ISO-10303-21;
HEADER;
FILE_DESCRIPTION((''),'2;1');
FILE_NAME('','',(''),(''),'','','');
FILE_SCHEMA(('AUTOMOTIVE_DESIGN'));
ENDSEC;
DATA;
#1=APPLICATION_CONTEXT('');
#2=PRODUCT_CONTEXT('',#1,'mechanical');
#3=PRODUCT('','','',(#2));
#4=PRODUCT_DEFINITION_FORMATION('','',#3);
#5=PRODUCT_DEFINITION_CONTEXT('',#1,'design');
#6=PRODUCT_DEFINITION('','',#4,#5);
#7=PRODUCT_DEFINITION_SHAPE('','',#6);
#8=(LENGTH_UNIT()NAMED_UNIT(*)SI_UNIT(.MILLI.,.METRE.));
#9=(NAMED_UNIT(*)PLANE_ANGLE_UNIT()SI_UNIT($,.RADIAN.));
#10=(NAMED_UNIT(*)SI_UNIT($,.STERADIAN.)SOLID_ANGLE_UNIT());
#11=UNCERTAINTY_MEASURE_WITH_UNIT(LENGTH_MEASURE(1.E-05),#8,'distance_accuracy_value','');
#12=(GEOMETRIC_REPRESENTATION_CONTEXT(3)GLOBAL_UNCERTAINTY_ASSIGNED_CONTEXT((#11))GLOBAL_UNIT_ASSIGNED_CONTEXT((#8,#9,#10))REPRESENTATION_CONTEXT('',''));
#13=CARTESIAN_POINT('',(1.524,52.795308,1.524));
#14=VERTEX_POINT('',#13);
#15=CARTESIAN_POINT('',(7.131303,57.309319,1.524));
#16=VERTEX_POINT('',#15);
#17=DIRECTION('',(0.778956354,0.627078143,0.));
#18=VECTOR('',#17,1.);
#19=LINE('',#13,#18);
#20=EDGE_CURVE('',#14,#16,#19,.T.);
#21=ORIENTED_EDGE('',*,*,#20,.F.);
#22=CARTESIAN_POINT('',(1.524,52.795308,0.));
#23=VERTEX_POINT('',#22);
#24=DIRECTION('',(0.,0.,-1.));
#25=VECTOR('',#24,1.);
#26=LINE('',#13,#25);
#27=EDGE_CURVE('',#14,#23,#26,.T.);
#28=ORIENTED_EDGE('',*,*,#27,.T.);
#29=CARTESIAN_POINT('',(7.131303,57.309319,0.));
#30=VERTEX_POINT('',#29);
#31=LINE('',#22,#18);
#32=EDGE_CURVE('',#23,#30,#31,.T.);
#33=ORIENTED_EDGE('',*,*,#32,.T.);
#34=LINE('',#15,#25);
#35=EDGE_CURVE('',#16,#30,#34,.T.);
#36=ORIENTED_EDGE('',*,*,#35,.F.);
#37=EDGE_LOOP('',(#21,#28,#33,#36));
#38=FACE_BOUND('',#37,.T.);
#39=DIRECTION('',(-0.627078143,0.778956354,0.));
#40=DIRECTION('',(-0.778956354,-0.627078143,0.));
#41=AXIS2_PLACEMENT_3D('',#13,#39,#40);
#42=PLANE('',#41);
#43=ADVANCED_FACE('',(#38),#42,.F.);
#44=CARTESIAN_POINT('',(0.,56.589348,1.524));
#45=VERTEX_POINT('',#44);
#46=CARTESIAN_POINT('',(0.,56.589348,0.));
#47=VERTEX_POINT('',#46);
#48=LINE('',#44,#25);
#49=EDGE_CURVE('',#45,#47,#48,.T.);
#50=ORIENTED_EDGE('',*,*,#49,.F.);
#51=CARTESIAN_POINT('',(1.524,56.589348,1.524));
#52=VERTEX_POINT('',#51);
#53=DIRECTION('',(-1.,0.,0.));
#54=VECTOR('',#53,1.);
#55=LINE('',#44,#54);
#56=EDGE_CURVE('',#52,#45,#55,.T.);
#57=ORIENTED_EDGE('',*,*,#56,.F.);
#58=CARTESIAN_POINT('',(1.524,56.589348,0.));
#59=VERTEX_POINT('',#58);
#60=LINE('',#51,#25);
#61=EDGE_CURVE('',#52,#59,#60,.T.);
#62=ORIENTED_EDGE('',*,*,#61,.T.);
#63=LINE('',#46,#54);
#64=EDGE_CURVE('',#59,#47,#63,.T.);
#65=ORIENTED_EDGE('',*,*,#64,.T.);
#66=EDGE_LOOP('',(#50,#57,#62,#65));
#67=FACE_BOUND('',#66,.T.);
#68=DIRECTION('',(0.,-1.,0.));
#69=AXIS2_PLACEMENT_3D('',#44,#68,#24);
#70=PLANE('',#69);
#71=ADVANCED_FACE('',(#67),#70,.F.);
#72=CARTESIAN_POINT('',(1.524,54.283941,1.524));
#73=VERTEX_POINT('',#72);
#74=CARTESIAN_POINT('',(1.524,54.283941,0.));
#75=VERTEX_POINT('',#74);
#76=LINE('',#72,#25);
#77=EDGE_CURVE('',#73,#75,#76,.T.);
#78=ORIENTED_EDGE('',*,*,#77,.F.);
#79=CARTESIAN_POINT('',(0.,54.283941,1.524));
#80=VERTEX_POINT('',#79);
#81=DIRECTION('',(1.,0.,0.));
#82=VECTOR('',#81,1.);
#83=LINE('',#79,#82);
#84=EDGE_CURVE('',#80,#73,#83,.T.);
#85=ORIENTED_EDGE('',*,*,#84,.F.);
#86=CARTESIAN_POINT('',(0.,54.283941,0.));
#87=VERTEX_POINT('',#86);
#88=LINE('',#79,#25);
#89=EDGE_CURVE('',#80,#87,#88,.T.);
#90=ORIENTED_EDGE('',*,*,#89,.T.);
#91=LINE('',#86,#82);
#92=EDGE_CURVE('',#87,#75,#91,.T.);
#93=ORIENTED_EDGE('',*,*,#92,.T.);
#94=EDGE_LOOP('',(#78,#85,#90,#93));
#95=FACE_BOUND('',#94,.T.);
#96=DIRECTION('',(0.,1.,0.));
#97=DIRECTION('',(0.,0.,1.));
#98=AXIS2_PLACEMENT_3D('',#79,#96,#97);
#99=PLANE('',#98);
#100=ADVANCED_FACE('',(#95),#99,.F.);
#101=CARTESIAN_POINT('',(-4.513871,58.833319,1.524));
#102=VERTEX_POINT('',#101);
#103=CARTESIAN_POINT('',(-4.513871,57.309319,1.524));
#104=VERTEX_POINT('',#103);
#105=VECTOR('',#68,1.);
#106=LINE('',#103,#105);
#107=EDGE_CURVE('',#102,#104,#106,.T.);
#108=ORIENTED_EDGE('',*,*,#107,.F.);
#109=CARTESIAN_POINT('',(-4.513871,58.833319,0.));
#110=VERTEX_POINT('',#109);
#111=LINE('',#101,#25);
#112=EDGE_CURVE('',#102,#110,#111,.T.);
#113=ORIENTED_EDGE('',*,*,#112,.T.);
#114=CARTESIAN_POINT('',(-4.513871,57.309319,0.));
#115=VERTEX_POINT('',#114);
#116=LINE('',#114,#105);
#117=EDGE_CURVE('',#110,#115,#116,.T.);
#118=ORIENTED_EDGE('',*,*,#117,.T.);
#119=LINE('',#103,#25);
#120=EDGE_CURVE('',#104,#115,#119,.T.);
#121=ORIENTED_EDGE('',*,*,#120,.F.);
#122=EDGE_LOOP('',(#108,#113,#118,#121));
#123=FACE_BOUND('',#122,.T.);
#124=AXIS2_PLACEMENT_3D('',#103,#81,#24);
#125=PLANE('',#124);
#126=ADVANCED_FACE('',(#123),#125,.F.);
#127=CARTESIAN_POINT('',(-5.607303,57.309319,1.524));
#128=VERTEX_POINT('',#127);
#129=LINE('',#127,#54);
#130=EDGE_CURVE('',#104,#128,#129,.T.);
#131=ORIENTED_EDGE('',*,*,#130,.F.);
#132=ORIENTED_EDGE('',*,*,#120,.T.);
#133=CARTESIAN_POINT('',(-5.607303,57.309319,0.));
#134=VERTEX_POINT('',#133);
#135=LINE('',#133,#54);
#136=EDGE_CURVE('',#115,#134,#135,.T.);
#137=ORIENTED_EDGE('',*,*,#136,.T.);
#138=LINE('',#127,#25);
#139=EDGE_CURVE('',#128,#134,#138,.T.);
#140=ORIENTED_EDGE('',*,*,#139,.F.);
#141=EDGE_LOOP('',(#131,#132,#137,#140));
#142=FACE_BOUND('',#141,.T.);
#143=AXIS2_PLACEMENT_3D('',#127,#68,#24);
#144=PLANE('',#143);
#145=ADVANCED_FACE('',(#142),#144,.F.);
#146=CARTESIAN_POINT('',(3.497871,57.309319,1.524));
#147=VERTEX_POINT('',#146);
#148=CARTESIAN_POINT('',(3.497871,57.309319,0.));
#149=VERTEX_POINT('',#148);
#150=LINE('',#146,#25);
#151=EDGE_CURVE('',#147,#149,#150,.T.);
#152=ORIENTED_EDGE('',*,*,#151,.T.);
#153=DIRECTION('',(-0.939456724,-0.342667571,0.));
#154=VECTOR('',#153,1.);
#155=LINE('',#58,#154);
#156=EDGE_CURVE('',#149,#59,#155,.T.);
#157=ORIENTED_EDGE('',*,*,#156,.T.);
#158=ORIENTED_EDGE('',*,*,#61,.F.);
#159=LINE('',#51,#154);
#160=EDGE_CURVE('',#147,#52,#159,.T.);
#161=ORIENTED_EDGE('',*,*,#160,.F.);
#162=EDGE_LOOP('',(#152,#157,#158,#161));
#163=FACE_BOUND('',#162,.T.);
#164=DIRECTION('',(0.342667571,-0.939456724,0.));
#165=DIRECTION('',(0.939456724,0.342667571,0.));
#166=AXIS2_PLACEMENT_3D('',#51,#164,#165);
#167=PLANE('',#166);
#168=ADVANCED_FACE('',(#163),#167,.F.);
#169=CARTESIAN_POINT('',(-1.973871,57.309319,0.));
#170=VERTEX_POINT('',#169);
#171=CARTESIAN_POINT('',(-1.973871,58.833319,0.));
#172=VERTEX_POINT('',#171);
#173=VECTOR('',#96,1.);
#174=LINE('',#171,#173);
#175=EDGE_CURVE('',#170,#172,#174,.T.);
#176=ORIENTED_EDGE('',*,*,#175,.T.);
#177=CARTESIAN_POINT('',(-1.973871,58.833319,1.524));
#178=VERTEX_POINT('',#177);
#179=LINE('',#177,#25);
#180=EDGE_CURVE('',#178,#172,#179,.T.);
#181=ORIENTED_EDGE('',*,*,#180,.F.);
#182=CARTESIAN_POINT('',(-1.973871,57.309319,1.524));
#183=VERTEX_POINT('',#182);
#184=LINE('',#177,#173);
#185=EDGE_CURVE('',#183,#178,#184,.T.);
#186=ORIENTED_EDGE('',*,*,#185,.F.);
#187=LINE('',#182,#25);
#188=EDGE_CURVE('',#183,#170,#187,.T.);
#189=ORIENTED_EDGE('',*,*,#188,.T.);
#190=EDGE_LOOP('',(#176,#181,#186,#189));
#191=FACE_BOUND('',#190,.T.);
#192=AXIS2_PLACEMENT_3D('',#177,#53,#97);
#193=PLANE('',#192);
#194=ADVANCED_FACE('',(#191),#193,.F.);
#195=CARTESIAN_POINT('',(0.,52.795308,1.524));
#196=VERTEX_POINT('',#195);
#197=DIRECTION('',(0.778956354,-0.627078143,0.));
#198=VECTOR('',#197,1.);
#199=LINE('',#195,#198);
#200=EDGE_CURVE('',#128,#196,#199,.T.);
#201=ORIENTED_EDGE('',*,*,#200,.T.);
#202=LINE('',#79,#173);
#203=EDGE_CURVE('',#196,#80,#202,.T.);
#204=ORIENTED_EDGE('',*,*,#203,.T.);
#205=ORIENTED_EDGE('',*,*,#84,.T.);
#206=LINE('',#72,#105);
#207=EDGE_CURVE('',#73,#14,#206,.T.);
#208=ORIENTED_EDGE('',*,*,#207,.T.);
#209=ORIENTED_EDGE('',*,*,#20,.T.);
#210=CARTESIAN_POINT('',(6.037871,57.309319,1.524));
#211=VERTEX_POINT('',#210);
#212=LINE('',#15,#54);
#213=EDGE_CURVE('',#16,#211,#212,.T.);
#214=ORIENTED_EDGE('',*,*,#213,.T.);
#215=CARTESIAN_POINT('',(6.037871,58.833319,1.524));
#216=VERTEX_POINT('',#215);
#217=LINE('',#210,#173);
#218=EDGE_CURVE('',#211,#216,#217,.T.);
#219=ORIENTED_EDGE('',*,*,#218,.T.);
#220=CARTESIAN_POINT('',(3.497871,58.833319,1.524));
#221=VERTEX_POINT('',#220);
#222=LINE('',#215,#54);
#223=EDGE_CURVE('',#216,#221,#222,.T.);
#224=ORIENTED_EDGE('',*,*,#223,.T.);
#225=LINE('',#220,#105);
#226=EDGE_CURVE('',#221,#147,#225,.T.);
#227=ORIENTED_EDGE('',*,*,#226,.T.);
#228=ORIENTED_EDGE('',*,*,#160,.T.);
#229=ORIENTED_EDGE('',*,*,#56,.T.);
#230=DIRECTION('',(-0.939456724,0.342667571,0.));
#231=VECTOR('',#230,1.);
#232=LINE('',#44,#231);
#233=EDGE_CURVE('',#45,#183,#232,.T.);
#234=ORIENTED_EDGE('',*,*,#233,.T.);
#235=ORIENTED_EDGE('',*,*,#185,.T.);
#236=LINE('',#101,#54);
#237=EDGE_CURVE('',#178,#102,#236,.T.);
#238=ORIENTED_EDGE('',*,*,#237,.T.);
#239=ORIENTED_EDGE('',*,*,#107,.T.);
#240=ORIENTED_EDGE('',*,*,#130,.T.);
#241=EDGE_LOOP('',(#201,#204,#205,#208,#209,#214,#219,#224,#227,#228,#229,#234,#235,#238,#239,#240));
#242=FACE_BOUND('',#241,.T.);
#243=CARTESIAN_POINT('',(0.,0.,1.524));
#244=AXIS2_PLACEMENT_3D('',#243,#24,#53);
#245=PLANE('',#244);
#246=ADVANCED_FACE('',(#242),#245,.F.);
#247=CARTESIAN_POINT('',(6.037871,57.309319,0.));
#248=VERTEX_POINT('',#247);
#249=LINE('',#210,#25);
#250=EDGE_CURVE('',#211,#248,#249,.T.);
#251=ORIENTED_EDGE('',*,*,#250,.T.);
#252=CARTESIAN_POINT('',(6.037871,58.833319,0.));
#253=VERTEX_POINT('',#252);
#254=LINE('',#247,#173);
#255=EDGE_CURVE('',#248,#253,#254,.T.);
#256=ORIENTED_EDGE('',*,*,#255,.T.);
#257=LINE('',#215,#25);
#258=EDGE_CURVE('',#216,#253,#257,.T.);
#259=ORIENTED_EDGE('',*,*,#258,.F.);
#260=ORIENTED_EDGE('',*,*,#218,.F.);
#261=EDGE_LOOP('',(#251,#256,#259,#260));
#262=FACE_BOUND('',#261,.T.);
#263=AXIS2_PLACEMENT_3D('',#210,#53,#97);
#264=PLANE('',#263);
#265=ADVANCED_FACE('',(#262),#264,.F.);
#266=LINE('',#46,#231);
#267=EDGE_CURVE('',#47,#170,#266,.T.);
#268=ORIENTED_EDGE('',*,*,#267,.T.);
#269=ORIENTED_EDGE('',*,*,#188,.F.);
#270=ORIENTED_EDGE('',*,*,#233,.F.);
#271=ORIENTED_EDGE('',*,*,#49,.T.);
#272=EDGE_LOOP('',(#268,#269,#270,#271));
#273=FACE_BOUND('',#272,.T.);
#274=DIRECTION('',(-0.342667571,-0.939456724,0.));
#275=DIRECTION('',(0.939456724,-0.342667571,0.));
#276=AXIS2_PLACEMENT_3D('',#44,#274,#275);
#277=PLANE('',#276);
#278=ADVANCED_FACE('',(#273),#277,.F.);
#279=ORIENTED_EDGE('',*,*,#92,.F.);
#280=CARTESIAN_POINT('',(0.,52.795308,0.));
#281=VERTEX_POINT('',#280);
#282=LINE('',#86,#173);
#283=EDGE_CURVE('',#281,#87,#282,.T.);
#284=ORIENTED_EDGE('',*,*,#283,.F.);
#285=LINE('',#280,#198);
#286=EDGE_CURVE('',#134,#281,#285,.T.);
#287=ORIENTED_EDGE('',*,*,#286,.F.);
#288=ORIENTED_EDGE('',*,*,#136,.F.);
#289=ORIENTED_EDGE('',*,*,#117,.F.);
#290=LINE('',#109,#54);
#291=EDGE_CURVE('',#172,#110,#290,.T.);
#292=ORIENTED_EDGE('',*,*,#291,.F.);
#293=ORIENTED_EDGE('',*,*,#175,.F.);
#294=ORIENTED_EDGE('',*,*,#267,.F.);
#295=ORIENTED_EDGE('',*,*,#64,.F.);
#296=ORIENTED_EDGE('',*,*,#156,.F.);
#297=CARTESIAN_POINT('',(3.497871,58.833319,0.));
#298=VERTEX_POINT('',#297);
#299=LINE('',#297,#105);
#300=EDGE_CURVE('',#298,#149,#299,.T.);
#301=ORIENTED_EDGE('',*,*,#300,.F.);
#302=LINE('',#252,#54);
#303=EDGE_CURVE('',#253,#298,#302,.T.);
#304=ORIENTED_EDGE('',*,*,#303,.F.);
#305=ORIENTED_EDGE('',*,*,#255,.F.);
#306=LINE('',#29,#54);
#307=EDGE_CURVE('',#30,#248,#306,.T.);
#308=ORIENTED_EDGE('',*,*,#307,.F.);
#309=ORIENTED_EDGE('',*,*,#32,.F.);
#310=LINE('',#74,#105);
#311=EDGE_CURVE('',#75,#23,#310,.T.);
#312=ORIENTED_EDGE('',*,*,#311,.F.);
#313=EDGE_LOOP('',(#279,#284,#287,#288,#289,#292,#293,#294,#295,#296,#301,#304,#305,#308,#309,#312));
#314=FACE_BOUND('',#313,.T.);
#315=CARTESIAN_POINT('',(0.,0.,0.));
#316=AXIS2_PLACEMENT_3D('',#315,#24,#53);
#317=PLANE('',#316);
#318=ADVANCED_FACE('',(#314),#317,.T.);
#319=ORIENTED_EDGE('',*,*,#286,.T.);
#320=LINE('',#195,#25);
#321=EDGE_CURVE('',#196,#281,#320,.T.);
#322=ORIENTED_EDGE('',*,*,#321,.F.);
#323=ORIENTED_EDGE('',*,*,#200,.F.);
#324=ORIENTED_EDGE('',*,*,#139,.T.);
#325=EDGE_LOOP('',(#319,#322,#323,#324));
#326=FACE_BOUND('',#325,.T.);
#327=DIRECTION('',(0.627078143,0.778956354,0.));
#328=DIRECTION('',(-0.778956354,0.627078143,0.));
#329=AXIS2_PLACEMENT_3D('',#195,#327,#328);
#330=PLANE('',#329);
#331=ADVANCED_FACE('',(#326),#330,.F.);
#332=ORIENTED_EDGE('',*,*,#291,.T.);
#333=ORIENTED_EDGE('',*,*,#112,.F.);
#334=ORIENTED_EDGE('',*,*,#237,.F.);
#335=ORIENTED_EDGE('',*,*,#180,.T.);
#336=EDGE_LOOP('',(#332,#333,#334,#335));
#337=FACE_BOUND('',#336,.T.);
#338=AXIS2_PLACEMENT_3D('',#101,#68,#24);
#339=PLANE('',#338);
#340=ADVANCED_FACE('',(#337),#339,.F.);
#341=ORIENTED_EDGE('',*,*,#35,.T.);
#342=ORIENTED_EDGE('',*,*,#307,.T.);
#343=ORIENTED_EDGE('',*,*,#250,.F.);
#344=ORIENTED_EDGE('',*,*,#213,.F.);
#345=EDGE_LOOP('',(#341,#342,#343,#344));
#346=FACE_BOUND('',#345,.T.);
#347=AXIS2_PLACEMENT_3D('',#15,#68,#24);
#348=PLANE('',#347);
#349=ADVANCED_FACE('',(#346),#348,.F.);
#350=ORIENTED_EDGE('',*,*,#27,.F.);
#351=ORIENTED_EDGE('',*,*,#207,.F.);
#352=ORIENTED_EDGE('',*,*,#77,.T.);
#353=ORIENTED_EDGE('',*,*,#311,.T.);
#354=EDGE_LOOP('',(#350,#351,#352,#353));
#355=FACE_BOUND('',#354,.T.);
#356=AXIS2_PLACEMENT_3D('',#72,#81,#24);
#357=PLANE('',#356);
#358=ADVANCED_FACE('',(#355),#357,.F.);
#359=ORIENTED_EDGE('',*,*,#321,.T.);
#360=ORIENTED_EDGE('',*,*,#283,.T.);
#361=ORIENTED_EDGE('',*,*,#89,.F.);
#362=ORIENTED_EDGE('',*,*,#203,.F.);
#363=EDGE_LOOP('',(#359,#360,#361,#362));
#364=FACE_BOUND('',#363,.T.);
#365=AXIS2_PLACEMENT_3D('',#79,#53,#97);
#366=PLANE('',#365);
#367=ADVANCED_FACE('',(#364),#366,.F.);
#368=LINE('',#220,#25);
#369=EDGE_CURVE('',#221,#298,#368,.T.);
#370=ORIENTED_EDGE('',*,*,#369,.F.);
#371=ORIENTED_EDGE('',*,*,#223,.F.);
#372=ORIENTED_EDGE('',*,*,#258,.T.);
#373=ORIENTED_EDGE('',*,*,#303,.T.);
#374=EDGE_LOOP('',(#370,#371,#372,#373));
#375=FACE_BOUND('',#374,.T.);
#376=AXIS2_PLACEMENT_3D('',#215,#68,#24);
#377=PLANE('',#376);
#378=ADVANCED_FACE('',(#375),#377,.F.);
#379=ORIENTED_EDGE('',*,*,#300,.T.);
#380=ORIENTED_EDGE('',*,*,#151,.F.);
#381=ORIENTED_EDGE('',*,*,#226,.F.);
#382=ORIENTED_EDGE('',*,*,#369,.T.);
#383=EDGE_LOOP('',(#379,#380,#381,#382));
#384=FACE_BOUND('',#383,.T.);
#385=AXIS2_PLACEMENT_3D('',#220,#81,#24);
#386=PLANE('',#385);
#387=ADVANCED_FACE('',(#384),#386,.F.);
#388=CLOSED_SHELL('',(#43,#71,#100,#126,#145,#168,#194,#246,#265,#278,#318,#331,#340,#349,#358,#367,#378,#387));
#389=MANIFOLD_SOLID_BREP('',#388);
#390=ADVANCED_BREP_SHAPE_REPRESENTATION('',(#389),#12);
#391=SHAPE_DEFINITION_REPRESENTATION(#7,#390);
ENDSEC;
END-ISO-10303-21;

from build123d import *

# Parameters (mm, degrees)
BOSS_EXTRUDE1_DEPTH = 1.524


with BuildPart() as part:
    # Sketch1 → Boss-Extrude1 (new body)
    with BuildSketch(Plane.XY):
        Polygon((0, 54.283940604), (1.524, 54.283940604), (1.524, 52.795308101), (7.131303257, 57.309318796), (6.037871264, 57.309318796), (6.037871264, 58.833318796), (3.497871264, 58.833318796), (3.497871264, 57.309318796), (1.524, 56.589347717), (0, 56.589347717), (-1.973871264, 57.309318796), (-1.973871264, 58.833318796), (-4.513871264, 58.833318796), (-4.513871264, 57.309318796), (-5.607303257, 57.309318796), (0, 52.795308101), align=None)
    extrude(amount=BOSS_EXTRUDE1_DEPTH)


solid = part.part
